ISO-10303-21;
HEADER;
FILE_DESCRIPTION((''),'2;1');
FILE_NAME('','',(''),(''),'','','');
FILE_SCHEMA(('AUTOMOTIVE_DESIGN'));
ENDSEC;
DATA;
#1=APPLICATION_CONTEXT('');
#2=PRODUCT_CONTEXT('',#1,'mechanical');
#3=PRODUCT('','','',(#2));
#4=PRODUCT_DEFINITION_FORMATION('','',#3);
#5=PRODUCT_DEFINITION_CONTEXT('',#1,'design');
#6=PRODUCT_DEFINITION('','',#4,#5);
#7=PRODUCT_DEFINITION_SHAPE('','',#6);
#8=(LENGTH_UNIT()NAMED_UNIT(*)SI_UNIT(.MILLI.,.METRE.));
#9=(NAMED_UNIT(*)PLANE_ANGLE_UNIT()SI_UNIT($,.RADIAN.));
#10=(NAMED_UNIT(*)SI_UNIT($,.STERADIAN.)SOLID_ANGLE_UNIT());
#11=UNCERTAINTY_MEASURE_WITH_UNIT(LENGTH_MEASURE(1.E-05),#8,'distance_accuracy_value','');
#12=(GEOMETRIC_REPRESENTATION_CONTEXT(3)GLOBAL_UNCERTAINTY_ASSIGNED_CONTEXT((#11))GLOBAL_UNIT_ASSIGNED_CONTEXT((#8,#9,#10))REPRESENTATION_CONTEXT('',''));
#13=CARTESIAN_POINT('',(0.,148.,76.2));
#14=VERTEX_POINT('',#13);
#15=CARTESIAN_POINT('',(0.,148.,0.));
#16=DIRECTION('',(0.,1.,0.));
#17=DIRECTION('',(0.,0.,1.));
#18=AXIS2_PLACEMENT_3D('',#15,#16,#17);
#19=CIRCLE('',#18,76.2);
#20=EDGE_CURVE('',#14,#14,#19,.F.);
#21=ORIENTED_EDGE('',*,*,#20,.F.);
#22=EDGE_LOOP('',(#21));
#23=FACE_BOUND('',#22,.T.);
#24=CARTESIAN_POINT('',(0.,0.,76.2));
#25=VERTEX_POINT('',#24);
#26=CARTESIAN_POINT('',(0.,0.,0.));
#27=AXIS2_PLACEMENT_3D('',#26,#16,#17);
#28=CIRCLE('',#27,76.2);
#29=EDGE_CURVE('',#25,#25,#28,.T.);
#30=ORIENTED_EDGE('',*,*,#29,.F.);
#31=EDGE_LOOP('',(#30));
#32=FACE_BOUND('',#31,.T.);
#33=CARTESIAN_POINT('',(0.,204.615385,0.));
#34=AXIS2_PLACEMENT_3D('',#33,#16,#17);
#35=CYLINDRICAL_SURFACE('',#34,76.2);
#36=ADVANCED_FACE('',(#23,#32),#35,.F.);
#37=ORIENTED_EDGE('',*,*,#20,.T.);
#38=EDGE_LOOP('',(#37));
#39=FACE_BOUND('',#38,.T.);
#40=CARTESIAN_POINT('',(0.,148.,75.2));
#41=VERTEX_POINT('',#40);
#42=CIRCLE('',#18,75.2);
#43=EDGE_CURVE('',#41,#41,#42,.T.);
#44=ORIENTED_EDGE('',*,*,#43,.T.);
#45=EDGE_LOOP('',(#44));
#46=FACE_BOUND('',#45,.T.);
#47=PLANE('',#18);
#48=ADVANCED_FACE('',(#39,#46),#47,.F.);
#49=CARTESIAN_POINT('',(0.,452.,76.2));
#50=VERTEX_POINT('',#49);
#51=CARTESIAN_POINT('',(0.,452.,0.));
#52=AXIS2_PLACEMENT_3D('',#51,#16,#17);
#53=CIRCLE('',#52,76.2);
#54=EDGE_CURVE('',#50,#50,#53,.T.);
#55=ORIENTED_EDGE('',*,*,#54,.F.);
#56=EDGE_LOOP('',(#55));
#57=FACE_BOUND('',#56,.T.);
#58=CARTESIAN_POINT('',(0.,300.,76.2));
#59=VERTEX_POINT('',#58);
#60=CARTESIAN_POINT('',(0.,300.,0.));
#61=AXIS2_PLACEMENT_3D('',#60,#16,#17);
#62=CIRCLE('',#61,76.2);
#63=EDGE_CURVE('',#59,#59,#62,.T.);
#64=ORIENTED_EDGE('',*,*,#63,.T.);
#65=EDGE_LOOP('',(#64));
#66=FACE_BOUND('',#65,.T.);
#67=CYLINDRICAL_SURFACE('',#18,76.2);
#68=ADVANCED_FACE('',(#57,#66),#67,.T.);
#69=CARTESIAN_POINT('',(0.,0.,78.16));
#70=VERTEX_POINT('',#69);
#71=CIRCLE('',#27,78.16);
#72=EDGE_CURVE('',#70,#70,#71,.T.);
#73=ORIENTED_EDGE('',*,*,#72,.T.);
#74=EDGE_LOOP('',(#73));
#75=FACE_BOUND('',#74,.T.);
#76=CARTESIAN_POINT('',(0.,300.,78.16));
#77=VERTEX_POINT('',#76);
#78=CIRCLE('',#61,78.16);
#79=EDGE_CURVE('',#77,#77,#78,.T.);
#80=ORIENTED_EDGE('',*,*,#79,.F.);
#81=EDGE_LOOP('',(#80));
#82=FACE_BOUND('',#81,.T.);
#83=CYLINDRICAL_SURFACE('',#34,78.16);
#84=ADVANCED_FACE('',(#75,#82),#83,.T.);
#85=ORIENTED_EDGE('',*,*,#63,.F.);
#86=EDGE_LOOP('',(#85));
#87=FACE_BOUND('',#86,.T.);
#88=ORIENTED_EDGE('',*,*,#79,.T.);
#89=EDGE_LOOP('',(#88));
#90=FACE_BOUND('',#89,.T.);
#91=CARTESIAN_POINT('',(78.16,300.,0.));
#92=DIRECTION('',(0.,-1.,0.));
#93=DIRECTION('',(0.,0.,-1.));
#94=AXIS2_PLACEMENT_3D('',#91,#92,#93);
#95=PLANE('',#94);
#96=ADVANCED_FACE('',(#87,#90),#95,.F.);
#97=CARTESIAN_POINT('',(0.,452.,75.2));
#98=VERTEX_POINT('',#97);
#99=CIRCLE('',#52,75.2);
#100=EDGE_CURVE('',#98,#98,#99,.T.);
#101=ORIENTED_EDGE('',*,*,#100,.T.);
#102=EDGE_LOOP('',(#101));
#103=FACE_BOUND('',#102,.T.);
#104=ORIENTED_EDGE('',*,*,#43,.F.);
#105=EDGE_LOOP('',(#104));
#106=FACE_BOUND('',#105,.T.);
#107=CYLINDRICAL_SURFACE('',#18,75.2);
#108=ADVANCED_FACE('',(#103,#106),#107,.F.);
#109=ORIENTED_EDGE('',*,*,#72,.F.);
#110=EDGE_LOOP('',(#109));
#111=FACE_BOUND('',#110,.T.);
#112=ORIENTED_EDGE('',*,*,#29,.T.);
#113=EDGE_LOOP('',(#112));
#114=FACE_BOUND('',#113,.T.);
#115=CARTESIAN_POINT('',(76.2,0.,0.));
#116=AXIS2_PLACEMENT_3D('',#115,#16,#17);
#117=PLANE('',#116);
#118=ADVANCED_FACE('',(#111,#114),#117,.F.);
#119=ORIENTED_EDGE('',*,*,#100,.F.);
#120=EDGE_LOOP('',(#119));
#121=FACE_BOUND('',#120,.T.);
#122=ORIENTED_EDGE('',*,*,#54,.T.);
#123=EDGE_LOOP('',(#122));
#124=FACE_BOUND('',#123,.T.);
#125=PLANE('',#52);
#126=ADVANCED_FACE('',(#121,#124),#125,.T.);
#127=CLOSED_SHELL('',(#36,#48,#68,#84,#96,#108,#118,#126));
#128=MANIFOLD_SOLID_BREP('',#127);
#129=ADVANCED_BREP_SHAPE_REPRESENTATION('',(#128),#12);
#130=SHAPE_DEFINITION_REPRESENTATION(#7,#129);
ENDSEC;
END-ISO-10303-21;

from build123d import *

# Parameters (mm, degrees)
SKETCH1_W                = 1.96
SKETCH1_H                = 300
BOSS_EXTRUDE1_DEPTH      = 152
BOSS_EXTRUDE1_DEPTH_BACK = 152
SKETCH3_R                = 76.2
SKETCH3_R_2              = 75.2


with BuildPart() as part:
    # Sketch1 → Revolve1 (revolve)
    with BuildSketch(Plane.XY, mode=Mode.PRIVATE) as revolve1_sk:
        with Locations((77.18, 150)):
            Rectangle(SKETCH1_W, SKETCH1_H)
    revolve(revolve1_sk.sketch.rotate(Axis((0, 204.615384615, 0), (0, -1, 0)), 90), axis=Axis((0, 204.615384615, 0), (0, -1, 0)))

    # Sketch3 → Boss-Extrude1 (add, two sides: drawn at the far end of the back side and taken through both)
    with BuildSketch(Plane(origin=(0, 300, 0), x_dir=(1, 0, 0), z_dir=(0, 1, 0)).offset(-BOSS_EXTRUDE1_DEPTH_BACK)):
        with Locations(Location((0, 0, 0), (0, 0, 270))):
            Circle(SKETCH3_R)
        with Locations(Location((0, 0, 0), (0, 0, 270))):
            Circle(SKETCH3_R_2, mode=Mode.SUBTRACT)
    extrude(amount=BOSS_EXTRUDE1_DEPTH + BOSS_EXTRUDE1_DEPTH_BACK)


solid = part.part
